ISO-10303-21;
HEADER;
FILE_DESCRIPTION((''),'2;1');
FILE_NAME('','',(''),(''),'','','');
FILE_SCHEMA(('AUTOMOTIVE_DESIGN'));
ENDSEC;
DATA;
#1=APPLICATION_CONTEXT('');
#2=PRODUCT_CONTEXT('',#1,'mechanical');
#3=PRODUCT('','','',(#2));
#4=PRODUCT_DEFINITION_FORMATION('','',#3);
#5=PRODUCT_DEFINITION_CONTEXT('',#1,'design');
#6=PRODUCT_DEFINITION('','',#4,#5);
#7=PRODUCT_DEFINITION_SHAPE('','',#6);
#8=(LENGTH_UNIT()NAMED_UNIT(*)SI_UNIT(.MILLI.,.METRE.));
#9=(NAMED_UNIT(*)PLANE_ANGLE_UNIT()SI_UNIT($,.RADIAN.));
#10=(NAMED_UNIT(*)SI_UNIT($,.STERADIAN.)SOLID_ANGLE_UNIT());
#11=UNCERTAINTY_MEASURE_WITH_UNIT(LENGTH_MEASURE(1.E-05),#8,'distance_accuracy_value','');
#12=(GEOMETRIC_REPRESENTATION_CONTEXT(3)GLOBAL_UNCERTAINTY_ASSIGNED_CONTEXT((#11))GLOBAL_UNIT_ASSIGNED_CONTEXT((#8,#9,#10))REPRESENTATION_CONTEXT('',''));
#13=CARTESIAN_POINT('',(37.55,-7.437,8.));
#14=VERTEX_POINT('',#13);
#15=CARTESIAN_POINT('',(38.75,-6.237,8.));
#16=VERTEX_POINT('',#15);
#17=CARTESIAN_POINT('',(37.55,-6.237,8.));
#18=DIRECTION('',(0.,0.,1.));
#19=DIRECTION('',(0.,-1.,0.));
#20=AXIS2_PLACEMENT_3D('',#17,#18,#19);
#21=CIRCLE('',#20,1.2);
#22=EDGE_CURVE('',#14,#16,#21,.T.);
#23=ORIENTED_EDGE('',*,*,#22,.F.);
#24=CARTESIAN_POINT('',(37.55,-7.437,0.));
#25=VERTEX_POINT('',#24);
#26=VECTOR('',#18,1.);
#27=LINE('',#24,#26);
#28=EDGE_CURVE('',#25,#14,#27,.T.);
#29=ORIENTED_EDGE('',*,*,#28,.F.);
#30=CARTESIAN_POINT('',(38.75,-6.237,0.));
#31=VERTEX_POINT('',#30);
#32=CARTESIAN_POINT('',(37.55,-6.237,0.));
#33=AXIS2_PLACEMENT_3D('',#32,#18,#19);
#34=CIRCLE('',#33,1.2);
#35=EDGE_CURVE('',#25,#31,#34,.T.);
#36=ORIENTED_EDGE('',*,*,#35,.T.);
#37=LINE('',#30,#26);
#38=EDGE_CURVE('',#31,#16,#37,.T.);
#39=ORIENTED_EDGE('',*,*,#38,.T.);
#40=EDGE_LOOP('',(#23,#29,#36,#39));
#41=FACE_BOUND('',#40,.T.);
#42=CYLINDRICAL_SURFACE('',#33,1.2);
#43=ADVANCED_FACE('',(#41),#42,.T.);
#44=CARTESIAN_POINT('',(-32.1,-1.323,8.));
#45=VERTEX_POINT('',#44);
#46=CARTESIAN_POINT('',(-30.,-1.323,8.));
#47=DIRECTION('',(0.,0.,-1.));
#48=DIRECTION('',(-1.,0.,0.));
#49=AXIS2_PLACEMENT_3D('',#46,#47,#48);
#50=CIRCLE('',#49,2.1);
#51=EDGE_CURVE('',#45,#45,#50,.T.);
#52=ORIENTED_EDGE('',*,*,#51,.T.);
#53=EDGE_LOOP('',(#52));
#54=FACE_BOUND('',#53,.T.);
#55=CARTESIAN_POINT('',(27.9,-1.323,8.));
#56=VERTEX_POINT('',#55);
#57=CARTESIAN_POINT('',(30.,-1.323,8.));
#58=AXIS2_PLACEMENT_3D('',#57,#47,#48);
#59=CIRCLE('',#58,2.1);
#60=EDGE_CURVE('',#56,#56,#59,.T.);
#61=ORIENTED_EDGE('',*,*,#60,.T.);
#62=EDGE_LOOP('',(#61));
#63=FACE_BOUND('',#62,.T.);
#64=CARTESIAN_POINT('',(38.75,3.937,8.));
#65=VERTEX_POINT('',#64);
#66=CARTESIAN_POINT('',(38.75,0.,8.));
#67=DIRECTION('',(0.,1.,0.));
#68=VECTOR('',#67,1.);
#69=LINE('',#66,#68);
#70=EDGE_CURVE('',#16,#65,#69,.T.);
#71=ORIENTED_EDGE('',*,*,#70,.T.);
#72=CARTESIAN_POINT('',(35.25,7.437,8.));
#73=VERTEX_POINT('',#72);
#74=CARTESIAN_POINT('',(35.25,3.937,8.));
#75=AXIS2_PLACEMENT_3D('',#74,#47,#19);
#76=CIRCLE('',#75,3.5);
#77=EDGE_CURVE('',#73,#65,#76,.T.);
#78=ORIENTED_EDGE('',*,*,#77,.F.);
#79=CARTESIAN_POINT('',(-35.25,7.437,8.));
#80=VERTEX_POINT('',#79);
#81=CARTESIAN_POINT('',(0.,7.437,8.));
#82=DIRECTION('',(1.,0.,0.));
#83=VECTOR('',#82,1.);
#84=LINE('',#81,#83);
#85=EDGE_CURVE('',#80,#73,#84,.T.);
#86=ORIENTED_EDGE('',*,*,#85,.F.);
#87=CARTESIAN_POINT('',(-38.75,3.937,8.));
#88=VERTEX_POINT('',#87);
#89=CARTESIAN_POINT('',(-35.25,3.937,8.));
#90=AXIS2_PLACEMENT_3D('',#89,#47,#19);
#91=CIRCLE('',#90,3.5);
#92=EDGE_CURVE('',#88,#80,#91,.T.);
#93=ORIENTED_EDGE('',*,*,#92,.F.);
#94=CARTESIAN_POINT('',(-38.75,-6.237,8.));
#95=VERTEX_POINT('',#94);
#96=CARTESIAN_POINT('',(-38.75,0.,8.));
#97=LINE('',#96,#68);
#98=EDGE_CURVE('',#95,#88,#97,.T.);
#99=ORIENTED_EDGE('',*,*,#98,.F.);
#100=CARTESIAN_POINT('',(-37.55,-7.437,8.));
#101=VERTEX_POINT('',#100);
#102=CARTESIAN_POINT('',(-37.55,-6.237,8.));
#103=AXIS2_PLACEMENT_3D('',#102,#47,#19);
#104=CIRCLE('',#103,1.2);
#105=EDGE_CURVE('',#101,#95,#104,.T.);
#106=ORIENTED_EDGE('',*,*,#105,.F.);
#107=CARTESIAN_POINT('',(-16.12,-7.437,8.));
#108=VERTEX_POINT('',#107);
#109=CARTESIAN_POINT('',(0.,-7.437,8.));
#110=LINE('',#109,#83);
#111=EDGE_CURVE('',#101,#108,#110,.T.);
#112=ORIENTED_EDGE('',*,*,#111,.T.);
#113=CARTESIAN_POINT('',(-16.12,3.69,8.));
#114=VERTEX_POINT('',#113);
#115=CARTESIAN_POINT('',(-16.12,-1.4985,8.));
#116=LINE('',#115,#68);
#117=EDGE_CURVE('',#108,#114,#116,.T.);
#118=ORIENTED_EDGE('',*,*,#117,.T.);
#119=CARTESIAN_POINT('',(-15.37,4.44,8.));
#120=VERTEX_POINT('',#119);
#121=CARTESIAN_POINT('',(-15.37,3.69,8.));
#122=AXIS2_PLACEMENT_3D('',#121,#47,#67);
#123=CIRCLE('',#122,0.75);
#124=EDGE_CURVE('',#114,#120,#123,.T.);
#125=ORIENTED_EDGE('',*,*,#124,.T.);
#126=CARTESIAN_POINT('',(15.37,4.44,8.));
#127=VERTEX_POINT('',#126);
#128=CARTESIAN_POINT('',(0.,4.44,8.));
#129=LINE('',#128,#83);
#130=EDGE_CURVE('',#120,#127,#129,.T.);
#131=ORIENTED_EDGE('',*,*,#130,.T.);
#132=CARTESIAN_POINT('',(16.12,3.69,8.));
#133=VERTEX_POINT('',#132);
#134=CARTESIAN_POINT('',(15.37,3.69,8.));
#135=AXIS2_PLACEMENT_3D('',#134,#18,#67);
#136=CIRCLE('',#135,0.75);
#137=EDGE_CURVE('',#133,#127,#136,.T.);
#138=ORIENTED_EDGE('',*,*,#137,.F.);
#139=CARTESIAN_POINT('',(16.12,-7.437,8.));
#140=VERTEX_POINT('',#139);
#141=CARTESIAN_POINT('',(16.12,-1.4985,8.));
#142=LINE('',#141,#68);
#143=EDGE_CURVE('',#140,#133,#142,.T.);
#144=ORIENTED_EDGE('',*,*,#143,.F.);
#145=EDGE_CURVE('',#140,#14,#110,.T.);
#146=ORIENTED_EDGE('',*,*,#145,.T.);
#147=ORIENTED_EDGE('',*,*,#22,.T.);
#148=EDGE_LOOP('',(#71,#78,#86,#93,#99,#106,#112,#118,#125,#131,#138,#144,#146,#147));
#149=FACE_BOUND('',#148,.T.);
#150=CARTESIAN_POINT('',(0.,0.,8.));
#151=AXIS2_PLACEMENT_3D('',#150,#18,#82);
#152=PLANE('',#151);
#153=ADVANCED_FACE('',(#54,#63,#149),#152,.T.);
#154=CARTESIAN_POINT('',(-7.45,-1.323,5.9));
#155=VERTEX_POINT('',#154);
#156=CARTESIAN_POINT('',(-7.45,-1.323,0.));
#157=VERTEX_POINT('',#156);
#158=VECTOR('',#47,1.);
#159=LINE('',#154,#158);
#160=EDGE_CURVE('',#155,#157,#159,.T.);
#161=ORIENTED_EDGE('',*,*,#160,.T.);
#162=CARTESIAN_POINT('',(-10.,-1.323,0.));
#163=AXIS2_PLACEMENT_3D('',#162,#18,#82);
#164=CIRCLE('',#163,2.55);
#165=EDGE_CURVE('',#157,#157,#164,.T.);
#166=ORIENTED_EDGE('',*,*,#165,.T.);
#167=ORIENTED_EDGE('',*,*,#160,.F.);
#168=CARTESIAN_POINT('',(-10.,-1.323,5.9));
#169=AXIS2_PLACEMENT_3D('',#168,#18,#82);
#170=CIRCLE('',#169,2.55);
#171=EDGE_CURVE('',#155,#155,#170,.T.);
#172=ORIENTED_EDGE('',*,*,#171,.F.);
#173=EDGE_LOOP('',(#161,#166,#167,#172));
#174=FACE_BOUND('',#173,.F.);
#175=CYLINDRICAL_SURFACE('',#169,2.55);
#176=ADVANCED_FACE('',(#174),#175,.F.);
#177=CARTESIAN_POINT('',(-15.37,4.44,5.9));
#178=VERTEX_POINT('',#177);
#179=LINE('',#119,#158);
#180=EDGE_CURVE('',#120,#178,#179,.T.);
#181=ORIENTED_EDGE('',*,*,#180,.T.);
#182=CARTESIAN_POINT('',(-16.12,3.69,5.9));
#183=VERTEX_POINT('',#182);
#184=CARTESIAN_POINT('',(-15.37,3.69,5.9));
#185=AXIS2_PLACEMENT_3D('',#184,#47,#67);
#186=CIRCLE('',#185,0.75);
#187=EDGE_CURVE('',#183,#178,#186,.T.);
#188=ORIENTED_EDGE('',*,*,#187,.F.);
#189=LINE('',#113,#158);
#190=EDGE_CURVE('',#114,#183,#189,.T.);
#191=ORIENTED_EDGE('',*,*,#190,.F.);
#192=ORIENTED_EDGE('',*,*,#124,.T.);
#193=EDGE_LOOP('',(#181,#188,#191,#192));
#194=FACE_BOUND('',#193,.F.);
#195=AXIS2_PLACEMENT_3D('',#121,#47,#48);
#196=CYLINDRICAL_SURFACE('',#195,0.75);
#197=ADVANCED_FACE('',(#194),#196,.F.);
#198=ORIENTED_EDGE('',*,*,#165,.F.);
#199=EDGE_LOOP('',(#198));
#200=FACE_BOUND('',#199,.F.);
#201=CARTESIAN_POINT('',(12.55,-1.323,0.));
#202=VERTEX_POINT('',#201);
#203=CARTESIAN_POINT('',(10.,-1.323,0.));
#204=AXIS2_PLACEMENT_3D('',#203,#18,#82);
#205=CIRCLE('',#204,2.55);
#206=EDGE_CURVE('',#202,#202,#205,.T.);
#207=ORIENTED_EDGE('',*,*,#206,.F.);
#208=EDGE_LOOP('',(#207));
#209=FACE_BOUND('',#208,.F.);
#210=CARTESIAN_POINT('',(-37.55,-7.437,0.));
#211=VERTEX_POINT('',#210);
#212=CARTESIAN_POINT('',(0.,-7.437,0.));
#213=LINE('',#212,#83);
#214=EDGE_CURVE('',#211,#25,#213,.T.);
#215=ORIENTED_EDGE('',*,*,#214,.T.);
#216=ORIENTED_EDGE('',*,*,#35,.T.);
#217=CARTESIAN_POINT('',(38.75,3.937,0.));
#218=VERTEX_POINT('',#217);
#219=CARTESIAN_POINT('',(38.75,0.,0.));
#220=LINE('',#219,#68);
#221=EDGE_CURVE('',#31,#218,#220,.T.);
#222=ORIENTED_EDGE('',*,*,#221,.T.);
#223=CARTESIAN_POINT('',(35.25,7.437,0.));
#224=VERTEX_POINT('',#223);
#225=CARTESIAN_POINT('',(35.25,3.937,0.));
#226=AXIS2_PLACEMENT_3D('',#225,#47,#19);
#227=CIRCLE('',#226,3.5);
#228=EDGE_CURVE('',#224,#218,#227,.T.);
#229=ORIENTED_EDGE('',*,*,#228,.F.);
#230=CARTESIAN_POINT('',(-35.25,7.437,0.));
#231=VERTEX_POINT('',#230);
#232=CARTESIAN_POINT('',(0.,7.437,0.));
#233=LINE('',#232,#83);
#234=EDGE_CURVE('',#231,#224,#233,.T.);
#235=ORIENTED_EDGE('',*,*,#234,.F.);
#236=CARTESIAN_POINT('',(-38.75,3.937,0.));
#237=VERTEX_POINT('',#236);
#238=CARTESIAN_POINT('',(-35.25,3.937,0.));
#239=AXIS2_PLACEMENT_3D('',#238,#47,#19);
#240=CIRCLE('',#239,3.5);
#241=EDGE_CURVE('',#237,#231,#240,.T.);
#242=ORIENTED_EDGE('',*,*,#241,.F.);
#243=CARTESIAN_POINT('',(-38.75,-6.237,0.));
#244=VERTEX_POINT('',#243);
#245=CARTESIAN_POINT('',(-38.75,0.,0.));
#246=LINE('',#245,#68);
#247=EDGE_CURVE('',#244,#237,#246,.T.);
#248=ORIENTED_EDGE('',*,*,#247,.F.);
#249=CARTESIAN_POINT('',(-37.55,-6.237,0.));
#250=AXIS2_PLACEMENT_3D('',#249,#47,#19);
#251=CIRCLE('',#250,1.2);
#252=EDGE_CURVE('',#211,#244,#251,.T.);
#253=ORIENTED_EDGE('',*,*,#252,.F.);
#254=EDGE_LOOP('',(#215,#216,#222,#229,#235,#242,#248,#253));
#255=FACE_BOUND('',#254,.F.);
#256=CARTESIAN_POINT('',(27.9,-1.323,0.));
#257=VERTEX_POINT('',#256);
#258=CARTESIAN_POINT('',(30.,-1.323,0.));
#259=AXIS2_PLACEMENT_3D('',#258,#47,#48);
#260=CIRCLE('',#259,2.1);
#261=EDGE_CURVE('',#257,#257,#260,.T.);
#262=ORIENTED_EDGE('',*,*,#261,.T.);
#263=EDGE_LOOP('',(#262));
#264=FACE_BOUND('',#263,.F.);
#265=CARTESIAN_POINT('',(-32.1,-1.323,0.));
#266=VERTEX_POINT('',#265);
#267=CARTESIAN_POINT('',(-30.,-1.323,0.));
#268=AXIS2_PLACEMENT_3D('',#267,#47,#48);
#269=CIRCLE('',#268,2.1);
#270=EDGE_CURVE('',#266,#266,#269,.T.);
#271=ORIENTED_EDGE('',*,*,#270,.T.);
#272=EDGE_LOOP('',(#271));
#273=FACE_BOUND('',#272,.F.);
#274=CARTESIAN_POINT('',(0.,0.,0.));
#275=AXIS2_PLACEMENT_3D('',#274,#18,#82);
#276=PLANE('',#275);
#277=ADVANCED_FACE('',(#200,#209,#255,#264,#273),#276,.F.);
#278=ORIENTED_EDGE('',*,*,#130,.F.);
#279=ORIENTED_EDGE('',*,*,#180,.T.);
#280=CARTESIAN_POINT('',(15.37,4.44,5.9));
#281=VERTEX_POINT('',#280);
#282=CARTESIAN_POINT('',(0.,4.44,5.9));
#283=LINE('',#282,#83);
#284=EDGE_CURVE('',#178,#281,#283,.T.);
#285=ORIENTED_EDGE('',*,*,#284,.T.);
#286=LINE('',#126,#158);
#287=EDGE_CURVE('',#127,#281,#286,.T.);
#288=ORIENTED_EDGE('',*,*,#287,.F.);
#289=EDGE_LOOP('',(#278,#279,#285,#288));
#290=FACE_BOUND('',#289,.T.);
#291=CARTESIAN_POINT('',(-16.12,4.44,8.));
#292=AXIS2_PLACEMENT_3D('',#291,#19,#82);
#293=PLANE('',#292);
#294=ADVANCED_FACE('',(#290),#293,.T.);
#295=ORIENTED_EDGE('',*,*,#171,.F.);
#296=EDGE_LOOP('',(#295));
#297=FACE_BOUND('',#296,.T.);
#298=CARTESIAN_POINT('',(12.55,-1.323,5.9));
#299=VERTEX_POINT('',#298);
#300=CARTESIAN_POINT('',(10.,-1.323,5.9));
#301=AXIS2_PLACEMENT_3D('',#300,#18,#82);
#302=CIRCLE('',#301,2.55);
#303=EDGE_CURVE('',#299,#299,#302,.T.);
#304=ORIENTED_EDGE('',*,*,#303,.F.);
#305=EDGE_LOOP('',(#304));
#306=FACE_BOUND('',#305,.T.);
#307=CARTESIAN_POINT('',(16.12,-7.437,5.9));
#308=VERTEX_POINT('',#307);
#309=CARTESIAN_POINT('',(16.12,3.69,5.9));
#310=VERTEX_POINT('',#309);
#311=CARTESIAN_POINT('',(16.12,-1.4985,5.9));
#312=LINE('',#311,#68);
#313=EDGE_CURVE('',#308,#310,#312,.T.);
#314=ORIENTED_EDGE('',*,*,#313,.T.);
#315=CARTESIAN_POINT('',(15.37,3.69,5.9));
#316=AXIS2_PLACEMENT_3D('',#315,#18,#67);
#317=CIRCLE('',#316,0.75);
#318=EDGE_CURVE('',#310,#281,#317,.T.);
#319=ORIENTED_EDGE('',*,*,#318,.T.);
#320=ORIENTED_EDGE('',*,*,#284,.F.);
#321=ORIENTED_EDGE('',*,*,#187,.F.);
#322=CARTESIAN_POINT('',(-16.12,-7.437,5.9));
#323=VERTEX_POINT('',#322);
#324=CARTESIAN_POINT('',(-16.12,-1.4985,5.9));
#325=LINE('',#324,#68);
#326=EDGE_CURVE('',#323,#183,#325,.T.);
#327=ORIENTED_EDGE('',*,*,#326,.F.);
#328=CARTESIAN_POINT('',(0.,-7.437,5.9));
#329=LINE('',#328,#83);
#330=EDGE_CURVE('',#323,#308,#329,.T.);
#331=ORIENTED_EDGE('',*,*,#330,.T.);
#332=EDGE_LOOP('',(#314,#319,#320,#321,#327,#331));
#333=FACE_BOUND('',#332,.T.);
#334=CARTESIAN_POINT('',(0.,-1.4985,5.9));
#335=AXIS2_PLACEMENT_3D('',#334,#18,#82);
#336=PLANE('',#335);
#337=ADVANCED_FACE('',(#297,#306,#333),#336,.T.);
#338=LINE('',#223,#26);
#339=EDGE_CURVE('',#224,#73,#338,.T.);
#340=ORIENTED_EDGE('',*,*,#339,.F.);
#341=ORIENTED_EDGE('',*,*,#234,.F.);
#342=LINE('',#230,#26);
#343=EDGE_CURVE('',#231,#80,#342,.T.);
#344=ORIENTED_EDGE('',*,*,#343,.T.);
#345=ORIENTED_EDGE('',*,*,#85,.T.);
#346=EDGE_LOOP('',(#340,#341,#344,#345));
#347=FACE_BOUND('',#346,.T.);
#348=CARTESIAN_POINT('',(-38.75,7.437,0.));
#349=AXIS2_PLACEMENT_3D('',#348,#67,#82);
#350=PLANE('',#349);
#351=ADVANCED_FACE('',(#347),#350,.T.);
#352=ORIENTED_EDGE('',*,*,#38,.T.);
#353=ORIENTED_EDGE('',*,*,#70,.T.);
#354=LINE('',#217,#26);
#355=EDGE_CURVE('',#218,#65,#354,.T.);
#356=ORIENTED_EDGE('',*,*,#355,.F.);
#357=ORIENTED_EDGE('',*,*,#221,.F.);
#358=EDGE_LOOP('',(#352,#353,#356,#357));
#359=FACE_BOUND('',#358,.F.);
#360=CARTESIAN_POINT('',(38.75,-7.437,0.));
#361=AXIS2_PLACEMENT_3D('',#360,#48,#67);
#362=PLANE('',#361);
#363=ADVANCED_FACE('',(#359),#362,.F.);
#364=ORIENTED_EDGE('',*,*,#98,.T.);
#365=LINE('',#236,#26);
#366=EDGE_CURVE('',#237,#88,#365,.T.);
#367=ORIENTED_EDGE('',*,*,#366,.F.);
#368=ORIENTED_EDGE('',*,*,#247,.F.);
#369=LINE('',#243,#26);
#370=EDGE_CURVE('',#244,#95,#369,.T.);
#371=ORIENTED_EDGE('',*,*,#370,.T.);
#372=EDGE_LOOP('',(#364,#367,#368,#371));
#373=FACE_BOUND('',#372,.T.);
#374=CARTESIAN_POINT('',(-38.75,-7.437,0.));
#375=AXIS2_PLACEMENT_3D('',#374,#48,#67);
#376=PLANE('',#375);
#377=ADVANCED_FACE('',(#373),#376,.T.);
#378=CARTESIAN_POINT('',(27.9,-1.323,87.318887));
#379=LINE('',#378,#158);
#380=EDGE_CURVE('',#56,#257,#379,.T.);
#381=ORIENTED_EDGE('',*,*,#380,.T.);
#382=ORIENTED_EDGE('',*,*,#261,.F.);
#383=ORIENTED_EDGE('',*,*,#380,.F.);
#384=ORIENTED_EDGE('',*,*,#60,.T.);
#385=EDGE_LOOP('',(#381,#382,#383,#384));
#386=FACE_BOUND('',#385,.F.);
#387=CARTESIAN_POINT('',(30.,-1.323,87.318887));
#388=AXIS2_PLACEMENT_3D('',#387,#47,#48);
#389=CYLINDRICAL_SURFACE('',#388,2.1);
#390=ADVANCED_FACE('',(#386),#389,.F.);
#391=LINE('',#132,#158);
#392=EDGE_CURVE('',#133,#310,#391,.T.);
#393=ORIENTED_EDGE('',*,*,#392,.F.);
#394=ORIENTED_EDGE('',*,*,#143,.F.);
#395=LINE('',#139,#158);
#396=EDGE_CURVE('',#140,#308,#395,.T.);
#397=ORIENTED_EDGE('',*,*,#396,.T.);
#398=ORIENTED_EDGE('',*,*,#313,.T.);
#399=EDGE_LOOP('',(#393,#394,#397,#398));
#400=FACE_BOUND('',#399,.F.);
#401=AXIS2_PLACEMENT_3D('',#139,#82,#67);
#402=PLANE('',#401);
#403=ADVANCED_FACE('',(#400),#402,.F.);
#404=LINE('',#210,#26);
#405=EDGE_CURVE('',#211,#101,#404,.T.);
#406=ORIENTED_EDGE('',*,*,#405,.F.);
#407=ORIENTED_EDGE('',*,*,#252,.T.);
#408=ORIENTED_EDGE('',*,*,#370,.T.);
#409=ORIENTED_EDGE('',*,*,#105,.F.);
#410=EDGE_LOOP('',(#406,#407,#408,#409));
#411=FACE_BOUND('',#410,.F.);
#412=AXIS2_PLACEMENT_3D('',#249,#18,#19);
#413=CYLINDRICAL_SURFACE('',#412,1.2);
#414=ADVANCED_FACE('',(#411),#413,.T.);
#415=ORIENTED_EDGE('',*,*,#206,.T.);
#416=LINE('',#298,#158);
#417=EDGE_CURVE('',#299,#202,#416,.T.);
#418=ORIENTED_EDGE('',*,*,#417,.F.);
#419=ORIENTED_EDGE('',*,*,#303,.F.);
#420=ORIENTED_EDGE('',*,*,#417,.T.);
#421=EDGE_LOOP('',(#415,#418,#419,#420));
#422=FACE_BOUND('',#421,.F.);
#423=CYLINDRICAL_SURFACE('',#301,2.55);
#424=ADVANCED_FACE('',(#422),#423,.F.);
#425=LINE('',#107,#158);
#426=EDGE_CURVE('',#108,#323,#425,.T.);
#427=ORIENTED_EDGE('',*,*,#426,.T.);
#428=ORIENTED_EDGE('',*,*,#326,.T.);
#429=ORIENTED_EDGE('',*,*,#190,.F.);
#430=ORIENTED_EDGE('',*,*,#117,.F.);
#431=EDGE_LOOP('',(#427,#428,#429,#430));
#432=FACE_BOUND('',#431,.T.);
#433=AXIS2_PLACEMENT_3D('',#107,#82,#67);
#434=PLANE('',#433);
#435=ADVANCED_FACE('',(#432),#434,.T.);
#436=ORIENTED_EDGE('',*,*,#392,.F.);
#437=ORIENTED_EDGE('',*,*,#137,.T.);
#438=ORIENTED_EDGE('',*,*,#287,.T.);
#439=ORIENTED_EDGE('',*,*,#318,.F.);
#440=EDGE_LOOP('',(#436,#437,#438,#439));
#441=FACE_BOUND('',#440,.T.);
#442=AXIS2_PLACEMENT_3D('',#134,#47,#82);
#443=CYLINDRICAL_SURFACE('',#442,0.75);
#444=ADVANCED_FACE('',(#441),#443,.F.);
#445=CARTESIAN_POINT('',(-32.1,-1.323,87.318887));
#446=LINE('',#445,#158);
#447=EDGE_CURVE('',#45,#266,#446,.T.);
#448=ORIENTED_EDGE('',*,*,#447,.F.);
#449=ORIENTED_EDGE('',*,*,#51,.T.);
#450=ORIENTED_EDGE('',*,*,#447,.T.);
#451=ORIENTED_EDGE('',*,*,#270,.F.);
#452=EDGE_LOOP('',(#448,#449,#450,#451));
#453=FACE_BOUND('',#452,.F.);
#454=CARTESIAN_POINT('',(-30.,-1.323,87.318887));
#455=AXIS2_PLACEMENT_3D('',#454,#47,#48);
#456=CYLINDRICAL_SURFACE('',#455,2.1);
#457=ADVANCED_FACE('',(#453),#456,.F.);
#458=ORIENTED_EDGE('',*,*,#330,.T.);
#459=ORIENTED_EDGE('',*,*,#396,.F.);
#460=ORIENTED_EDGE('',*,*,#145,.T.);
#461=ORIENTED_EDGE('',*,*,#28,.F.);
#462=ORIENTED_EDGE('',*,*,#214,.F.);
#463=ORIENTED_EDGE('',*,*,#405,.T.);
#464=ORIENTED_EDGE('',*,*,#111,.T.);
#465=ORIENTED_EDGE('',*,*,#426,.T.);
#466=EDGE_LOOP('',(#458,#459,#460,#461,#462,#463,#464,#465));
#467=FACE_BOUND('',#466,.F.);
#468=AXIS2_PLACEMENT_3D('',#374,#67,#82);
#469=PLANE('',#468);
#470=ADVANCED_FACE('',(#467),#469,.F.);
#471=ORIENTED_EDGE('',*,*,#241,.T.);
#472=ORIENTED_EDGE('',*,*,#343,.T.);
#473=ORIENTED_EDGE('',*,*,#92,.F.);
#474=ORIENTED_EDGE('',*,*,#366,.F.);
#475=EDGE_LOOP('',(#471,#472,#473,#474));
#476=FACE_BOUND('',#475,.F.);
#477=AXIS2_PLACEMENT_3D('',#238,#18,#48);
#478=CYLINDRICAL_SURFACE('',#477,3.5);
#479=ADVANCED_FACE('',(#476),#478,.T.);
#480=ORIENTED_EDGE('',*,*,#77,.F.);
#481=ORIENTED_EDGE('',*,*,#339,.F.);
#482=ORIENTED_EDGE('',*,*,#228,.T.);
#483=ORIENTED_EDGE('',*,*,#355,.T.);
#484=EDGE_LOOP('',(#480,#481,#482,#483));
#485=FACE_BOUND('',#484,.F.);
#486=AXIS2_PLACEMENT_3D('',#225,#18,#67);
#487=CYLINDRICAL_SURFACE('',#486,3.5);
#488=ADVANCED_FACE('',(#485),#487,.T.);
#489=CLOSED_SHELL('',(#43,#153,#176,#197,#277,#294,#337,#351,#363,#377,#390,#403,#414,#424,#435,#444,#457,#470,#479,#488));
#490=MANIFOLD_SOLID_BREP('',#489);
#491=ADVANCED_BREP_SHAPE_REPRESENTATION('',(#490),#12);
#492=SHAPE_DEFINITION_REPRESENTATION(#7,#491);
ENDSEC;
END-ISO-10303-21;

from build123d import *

# Parameters (mm, degrees)
SKETCH1_W             = 77.5
SKETCH1_H             = 14.874
BOSS_EXTRUDE1_DEPTH   = 8
SKETCH2_W             = 32.24
SKETCH2_H             = 11.877
CUT_EXTRUDE1_DEPTH    = 2.1
FILLET1_R             = 3.5
FILLET2_R             = 0.75
SKETCH3_R             = 2.55
CUT_EXTRUDE2_DEPTH    = 6.9
M5X0_8_TAPPED_HOLE1_D = 4.2
FILLET3_R             = 1.2


with BuildPart() as part:
    # Sketch1 → Boss-Extrude1 (new body)
    with BuildSketch(Plane.XY):
        Rectangle(SKETCH1_W, SKETCH1_H)
    extrude(amount=BOSS_EXTRUDE1_DEPTH)

    # Sketch2 → Cut-Extrude1 (cut)
    with BuildSketch(Plane.XY.offset(8)):
        with Locations((0, -1.4985)):
            Rectangle(SKETCH2_W, SKETCH2_H)
    extrude(amount=-CUT_EXTRUDE1_DEPTH, mode=Mode.SUBTRACT)

    # Fillet1
    fillet1_edges = [part.edges().sort_by_distance(p)[0] for p in [
        (-38.75, 7.437, 4),
        (38.75, 7.437, 4),
    ]]
    fillet(fillet1_edges, radius=FILLET1_R)

    # Fillet2
    fillet2_edges = [part.edges().sort_by_distance(p)[0] for p in [
        (-16.12, 4.44, 6.95),
        (16.12, 4.44, 6.95),
    ]]
    fillet(fillet2_edges, radius=FILLET2_R)

    # Sketch3 → Cut-Extrude2 (cut, through all)
    with BuildSketch(Plane.XY.offset(5.9)):
        with Locations((-10, -1.323)):
            Circle(SKETCH3_R)
        with Locations((10, -1.323)):
            Circle(SKETCH3_R)
    extrude(amount=-CUT_EXTRUDE2_DEPTH, mode=Mode.SUBTRACT)

    # M5x0.8 Tapped Hole1 (through all)
    with Locations(Plane.XY.offset(8)):
        with Locations((-30, -1.323), (30, -1.323)):
            Hole(M5X0_8_TAPPED_HOLE1_D / 2)

    # Fillet3
    fillet3_edges = [part.edges().sort_by_distance(p)[0] for p in [
        (38.75, -7.437, 4),
        (-38.75, -7.437, 4),
    ]]
    fillet(fillet3_edges, radius=FILLET3_R)


solid = part.part
